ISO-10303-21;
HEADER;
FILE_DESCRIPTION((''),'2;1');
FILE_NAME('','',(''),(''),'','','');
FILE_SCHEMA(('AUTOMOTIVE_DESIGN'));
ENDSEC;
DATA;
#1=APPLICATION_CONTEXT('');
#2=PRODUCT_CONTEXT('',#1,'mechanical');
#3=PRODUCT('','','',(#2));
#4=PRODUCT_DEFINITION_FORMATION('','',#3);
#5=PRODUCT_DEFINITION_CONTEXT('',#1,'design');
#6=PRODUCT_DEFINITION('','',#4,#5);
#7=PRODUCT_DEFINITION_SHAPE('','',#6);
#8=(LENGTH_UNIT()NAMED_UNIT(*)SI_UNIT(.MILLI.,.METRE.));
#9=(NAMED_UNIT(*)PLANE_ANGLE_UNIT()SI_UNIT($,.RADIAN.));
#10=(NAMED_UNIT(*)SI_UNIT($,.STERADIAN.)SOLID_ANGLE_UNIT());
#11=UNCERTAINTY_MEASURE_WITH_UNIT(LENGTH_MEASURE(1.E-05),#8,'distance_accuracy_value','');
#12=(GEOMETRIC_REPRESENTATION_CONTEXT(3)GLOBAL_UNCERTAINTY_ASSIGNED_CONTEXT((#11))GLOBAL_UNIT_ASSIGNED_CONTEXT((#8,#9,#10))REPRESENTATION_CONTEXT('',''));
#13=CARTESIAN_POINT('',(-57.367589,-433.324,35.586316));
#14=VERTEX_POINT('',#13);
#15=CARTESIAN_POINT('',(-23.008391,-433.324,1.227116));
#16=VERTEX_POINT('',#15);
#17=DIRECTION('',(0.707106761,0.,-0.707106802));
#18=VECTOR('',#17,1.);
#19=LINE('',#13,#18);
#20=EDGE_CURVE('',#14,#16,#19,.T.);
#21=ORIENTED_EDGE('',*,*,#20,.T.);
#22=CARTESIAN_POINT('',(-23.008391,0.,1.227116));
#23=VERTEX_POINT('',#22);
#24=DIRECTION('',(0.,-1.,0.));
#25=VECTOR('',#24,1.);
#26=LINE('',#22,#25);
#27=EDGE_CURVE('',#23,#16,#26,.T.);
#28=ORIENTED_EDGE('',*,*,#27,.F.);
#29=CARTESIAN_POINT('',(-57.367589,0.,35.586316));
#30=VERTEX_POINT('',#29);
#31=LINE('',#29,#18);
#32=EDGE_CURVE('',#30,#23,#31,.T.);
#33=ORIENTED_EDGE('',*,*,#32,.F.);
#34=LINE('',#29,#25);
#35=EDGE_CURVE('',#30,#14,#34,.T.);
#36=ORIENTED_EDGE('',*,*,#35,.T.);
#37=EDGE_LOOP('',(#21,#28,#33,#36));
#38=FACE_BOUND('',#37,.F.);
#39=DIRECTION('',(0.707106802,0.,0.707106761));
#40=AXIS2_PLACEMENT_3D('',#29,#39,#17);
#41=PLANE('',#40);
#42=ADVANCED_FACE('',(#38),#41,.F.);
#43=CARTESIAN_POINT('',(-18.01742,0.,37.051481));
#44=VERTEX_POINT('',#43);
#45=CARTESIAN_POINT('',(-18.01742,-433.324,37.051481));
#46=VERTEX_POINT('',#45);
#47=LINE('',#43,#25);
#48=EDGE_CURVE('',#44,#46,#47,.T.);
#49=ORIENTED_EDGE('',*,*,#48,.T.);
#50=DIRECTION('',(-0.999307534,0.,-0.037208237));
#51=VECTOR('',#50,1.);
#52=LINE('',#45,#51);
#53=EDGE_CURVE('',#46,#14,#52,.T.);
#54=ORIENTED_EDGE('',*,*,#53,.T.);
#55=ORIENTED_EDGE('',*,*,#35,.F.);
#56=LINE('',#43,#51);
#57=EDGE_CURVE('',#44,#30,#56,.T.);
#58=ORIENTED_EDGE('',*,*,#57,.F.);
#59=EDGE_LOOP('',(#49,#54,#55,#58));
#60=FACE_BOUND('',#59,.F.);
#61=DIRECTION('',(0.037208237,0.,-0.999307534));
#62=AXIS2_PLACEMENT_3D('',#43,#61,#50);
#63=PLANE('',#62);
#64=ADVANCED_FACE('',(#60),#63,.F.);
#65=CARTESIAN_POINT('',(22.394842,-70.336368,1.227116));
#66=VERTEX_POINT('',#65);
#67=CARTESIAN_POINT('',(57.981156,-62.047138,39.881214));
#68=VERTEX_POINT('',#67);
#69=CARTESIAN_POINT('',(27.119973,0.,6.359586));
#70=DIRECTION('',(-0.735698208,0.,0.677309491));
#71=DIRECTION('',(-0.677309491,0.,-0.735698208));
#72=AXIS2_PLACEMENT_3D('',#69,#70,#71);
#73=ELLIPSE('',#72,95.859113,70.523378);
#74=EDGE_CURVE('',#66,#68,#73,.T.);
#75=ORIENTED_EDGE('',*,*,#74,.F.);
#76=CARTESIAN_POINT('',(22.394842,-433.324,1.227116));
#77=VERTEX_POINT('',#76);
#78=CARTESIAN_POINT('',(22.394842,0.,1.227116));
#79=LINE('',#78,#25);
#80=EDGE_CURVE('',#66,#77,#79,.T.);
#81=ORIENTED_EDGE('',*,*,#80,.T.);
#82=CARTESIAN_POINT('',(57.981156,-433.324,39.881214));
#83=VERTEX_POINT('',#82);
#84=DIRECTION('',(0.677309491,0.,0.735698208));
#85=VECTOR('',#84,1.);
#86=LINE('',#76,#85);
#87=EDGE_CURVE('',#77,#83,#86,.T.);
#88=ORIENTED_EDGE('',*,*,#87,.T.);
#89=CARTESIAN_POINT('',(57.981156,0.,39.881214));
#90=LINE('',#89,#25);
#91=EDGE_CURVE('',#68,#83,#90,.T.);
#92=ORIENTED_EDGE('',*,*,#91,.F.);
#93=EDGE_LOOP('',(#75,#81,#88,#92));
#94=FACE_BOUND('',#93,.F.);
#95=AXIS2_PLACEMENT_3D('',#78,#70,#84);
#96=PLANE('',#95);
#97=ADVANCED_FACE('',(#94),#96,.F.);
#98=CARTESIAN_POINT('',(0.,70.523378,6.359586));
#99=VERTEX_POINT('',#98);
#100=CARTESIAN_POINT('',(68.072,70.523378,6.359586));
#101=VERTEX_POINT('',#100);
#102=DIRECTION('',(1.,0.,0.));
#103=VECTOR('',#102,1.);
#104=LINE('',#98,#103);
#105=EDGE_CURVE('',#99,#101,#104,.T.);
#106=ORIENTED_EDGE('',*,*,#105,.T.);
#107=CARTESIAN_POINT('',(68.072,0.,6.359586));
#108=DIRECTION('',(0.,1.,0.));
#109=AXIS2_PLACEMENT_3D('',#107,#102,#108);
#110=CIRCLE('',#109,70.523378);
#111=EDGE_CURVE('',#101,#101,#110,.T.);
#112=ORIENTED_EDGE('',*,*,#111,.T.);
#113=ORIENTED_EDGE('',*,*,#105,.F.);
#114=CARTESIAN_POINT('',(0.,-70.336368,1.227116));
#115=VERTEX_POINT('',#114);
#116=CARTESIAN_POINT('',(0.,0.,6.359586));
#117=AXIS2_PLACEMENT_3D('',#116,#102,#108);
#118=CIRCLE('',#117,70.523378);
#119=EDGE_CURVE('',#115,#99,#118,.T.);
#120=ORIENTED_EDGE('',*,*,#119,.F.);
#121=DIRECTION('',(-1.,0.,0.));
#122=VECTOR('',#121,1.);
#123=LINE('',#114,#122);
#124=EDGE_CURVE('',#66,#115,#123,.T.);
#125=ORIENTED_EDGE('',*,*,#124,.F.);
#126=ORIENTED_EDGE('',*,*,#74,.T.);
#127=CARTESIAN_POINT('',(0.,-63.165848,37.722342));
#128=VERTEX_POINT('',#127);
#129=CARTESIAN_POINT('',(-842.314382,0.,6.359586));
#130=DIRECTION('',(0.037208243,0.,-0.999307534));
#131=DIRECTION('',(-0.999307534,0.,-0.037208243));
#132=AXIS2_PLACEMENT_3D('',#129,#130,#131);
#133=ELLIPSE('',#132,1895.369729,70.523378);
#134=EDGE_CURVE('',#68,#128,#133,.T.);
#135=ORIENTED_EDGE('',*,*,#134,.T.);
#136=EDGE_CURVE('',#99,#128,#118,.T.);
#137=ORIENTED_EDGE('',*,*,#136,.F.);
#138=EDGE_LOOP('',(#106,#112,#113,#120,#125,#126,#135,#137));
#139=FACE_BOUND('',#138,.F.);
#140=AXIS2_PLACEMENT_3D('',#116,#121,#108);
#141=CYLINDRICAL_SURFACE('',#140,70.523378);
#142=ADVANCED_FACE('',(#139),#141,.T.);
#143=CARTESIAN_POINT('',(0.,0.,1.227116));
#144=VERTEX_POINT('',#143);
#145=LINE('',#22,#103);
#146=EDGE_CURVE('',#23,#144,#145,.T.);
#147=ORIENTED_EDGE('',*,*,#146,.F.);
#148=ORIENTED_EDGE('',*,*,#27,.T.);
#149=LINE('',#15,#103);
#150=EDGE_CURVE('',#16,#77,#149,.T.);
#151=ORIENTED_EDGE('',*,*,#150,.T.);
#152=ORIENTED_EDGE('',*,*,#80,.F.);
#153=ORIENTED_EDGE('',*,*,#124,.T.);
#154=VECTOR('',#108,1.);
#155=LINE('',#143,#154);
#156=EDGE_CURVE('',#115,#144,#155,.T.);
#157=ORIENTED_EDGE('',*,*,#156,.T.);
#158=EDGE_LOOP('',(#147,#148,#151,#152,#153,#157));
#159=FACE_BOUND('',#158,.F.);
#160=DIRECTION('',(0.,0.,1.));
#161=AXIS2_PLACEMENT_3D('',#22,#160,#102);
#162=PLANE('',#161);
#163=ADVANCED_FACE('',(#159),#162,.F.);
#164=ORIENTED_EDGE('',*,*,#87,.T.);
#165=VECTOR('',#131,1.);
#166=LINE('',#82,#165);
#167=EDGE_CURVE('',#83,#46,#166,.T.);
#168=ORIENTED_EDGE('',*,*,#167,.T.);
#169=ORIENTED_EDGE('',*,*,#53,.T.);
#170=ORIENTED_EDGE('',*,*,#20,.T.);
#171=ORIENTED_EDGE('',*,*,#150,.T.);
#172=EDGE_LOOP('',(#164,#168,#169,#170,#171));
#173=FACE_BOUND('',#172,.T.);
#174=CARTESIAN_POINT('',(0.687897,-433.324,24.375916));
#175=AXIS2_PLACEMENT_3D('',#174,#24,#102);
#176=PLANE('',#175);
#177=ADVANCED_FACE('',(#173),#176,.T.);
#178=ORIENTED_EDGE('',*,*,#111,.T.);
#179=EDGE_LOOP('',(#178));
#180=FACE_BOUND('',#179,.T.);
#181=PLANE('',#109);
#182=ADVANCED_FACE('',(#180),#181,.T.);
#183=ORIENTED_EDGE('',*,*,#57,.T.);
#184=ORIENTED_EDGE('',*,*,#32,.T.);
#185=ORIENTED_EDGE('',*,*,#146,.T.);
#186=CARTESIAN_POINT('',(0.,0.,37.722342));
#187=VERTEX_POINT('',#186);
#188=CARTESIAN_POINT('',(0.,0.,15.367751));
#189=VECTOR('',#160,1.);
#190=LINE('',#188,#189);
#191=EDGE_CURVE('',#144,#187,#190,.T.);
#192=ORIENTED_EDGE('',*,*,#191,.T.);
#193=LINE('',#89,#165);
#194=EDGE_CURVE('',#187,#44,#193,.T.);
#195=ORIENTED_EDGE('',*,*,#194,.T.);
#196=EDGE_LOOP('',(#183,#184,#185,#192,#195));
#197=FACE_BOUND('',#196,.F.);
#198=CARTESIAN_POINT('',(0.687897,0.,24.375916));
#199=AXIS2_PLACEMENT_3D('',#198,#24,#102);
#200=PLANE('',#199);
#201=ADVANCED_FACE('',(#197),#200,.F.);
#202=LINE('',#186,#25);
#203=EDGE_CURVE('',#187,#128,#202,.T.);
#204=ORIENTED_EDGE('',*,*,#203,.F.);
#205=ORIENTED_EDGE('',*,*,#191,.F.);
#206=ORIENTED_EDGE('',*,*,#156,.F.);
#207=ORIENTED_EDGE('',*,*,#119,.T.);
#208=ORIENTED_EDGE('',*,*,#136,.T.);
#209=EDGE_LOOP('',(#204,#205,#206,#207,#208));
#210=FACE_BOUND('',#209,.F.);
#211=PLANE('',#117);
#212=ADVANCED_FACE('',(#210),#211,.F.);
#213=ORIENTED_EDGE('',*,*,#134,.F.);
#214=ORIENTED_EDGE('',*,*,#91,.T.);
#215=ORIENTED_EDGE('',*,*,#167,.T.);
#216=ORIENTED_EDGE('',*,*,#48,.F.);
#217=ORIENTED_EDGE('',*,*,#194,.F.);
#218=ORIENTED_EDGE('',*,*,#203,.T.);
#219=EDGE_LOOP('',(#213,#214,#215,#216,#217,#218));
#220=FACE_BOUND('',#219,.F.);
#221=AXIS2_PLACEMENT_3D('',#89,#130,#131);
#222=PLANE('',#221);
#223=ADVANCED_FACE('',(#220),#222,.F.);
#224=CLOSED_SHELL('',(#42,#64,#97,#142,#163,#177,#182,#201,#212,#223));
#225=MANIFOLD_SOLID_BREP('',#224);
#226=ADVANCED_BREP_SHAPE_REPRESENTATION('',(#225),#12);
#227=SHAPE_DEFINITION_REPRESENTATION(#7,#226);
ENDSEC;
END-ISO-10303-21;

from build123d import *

# Parameters (mm, degrees)
F1_DEPTH = 433.324
F2_R     = 70.523378
F3_DEPTH = 68.072


with BuildPart() as f1:
    # F0 (on Front) → F1 (new body)
    with BuildSketch(Plane.XZ):
        Polygon((-57.367589, 35.586316), (-23.008391, 1.227116), (22.394842, 1.227116), (57.981156, 39.881214), (-18.01742, 37.051481), align=None)
    extrude(amount=F1_DEPTH)

    # F2 (on Right) → F3 (join)
    with BuildSketch(Plane.YZ):
        with Locations((0, 6.359586)):
            Circle(F2_R)
    extrude(amount=F3_DEPTH)


solid = f1.part
